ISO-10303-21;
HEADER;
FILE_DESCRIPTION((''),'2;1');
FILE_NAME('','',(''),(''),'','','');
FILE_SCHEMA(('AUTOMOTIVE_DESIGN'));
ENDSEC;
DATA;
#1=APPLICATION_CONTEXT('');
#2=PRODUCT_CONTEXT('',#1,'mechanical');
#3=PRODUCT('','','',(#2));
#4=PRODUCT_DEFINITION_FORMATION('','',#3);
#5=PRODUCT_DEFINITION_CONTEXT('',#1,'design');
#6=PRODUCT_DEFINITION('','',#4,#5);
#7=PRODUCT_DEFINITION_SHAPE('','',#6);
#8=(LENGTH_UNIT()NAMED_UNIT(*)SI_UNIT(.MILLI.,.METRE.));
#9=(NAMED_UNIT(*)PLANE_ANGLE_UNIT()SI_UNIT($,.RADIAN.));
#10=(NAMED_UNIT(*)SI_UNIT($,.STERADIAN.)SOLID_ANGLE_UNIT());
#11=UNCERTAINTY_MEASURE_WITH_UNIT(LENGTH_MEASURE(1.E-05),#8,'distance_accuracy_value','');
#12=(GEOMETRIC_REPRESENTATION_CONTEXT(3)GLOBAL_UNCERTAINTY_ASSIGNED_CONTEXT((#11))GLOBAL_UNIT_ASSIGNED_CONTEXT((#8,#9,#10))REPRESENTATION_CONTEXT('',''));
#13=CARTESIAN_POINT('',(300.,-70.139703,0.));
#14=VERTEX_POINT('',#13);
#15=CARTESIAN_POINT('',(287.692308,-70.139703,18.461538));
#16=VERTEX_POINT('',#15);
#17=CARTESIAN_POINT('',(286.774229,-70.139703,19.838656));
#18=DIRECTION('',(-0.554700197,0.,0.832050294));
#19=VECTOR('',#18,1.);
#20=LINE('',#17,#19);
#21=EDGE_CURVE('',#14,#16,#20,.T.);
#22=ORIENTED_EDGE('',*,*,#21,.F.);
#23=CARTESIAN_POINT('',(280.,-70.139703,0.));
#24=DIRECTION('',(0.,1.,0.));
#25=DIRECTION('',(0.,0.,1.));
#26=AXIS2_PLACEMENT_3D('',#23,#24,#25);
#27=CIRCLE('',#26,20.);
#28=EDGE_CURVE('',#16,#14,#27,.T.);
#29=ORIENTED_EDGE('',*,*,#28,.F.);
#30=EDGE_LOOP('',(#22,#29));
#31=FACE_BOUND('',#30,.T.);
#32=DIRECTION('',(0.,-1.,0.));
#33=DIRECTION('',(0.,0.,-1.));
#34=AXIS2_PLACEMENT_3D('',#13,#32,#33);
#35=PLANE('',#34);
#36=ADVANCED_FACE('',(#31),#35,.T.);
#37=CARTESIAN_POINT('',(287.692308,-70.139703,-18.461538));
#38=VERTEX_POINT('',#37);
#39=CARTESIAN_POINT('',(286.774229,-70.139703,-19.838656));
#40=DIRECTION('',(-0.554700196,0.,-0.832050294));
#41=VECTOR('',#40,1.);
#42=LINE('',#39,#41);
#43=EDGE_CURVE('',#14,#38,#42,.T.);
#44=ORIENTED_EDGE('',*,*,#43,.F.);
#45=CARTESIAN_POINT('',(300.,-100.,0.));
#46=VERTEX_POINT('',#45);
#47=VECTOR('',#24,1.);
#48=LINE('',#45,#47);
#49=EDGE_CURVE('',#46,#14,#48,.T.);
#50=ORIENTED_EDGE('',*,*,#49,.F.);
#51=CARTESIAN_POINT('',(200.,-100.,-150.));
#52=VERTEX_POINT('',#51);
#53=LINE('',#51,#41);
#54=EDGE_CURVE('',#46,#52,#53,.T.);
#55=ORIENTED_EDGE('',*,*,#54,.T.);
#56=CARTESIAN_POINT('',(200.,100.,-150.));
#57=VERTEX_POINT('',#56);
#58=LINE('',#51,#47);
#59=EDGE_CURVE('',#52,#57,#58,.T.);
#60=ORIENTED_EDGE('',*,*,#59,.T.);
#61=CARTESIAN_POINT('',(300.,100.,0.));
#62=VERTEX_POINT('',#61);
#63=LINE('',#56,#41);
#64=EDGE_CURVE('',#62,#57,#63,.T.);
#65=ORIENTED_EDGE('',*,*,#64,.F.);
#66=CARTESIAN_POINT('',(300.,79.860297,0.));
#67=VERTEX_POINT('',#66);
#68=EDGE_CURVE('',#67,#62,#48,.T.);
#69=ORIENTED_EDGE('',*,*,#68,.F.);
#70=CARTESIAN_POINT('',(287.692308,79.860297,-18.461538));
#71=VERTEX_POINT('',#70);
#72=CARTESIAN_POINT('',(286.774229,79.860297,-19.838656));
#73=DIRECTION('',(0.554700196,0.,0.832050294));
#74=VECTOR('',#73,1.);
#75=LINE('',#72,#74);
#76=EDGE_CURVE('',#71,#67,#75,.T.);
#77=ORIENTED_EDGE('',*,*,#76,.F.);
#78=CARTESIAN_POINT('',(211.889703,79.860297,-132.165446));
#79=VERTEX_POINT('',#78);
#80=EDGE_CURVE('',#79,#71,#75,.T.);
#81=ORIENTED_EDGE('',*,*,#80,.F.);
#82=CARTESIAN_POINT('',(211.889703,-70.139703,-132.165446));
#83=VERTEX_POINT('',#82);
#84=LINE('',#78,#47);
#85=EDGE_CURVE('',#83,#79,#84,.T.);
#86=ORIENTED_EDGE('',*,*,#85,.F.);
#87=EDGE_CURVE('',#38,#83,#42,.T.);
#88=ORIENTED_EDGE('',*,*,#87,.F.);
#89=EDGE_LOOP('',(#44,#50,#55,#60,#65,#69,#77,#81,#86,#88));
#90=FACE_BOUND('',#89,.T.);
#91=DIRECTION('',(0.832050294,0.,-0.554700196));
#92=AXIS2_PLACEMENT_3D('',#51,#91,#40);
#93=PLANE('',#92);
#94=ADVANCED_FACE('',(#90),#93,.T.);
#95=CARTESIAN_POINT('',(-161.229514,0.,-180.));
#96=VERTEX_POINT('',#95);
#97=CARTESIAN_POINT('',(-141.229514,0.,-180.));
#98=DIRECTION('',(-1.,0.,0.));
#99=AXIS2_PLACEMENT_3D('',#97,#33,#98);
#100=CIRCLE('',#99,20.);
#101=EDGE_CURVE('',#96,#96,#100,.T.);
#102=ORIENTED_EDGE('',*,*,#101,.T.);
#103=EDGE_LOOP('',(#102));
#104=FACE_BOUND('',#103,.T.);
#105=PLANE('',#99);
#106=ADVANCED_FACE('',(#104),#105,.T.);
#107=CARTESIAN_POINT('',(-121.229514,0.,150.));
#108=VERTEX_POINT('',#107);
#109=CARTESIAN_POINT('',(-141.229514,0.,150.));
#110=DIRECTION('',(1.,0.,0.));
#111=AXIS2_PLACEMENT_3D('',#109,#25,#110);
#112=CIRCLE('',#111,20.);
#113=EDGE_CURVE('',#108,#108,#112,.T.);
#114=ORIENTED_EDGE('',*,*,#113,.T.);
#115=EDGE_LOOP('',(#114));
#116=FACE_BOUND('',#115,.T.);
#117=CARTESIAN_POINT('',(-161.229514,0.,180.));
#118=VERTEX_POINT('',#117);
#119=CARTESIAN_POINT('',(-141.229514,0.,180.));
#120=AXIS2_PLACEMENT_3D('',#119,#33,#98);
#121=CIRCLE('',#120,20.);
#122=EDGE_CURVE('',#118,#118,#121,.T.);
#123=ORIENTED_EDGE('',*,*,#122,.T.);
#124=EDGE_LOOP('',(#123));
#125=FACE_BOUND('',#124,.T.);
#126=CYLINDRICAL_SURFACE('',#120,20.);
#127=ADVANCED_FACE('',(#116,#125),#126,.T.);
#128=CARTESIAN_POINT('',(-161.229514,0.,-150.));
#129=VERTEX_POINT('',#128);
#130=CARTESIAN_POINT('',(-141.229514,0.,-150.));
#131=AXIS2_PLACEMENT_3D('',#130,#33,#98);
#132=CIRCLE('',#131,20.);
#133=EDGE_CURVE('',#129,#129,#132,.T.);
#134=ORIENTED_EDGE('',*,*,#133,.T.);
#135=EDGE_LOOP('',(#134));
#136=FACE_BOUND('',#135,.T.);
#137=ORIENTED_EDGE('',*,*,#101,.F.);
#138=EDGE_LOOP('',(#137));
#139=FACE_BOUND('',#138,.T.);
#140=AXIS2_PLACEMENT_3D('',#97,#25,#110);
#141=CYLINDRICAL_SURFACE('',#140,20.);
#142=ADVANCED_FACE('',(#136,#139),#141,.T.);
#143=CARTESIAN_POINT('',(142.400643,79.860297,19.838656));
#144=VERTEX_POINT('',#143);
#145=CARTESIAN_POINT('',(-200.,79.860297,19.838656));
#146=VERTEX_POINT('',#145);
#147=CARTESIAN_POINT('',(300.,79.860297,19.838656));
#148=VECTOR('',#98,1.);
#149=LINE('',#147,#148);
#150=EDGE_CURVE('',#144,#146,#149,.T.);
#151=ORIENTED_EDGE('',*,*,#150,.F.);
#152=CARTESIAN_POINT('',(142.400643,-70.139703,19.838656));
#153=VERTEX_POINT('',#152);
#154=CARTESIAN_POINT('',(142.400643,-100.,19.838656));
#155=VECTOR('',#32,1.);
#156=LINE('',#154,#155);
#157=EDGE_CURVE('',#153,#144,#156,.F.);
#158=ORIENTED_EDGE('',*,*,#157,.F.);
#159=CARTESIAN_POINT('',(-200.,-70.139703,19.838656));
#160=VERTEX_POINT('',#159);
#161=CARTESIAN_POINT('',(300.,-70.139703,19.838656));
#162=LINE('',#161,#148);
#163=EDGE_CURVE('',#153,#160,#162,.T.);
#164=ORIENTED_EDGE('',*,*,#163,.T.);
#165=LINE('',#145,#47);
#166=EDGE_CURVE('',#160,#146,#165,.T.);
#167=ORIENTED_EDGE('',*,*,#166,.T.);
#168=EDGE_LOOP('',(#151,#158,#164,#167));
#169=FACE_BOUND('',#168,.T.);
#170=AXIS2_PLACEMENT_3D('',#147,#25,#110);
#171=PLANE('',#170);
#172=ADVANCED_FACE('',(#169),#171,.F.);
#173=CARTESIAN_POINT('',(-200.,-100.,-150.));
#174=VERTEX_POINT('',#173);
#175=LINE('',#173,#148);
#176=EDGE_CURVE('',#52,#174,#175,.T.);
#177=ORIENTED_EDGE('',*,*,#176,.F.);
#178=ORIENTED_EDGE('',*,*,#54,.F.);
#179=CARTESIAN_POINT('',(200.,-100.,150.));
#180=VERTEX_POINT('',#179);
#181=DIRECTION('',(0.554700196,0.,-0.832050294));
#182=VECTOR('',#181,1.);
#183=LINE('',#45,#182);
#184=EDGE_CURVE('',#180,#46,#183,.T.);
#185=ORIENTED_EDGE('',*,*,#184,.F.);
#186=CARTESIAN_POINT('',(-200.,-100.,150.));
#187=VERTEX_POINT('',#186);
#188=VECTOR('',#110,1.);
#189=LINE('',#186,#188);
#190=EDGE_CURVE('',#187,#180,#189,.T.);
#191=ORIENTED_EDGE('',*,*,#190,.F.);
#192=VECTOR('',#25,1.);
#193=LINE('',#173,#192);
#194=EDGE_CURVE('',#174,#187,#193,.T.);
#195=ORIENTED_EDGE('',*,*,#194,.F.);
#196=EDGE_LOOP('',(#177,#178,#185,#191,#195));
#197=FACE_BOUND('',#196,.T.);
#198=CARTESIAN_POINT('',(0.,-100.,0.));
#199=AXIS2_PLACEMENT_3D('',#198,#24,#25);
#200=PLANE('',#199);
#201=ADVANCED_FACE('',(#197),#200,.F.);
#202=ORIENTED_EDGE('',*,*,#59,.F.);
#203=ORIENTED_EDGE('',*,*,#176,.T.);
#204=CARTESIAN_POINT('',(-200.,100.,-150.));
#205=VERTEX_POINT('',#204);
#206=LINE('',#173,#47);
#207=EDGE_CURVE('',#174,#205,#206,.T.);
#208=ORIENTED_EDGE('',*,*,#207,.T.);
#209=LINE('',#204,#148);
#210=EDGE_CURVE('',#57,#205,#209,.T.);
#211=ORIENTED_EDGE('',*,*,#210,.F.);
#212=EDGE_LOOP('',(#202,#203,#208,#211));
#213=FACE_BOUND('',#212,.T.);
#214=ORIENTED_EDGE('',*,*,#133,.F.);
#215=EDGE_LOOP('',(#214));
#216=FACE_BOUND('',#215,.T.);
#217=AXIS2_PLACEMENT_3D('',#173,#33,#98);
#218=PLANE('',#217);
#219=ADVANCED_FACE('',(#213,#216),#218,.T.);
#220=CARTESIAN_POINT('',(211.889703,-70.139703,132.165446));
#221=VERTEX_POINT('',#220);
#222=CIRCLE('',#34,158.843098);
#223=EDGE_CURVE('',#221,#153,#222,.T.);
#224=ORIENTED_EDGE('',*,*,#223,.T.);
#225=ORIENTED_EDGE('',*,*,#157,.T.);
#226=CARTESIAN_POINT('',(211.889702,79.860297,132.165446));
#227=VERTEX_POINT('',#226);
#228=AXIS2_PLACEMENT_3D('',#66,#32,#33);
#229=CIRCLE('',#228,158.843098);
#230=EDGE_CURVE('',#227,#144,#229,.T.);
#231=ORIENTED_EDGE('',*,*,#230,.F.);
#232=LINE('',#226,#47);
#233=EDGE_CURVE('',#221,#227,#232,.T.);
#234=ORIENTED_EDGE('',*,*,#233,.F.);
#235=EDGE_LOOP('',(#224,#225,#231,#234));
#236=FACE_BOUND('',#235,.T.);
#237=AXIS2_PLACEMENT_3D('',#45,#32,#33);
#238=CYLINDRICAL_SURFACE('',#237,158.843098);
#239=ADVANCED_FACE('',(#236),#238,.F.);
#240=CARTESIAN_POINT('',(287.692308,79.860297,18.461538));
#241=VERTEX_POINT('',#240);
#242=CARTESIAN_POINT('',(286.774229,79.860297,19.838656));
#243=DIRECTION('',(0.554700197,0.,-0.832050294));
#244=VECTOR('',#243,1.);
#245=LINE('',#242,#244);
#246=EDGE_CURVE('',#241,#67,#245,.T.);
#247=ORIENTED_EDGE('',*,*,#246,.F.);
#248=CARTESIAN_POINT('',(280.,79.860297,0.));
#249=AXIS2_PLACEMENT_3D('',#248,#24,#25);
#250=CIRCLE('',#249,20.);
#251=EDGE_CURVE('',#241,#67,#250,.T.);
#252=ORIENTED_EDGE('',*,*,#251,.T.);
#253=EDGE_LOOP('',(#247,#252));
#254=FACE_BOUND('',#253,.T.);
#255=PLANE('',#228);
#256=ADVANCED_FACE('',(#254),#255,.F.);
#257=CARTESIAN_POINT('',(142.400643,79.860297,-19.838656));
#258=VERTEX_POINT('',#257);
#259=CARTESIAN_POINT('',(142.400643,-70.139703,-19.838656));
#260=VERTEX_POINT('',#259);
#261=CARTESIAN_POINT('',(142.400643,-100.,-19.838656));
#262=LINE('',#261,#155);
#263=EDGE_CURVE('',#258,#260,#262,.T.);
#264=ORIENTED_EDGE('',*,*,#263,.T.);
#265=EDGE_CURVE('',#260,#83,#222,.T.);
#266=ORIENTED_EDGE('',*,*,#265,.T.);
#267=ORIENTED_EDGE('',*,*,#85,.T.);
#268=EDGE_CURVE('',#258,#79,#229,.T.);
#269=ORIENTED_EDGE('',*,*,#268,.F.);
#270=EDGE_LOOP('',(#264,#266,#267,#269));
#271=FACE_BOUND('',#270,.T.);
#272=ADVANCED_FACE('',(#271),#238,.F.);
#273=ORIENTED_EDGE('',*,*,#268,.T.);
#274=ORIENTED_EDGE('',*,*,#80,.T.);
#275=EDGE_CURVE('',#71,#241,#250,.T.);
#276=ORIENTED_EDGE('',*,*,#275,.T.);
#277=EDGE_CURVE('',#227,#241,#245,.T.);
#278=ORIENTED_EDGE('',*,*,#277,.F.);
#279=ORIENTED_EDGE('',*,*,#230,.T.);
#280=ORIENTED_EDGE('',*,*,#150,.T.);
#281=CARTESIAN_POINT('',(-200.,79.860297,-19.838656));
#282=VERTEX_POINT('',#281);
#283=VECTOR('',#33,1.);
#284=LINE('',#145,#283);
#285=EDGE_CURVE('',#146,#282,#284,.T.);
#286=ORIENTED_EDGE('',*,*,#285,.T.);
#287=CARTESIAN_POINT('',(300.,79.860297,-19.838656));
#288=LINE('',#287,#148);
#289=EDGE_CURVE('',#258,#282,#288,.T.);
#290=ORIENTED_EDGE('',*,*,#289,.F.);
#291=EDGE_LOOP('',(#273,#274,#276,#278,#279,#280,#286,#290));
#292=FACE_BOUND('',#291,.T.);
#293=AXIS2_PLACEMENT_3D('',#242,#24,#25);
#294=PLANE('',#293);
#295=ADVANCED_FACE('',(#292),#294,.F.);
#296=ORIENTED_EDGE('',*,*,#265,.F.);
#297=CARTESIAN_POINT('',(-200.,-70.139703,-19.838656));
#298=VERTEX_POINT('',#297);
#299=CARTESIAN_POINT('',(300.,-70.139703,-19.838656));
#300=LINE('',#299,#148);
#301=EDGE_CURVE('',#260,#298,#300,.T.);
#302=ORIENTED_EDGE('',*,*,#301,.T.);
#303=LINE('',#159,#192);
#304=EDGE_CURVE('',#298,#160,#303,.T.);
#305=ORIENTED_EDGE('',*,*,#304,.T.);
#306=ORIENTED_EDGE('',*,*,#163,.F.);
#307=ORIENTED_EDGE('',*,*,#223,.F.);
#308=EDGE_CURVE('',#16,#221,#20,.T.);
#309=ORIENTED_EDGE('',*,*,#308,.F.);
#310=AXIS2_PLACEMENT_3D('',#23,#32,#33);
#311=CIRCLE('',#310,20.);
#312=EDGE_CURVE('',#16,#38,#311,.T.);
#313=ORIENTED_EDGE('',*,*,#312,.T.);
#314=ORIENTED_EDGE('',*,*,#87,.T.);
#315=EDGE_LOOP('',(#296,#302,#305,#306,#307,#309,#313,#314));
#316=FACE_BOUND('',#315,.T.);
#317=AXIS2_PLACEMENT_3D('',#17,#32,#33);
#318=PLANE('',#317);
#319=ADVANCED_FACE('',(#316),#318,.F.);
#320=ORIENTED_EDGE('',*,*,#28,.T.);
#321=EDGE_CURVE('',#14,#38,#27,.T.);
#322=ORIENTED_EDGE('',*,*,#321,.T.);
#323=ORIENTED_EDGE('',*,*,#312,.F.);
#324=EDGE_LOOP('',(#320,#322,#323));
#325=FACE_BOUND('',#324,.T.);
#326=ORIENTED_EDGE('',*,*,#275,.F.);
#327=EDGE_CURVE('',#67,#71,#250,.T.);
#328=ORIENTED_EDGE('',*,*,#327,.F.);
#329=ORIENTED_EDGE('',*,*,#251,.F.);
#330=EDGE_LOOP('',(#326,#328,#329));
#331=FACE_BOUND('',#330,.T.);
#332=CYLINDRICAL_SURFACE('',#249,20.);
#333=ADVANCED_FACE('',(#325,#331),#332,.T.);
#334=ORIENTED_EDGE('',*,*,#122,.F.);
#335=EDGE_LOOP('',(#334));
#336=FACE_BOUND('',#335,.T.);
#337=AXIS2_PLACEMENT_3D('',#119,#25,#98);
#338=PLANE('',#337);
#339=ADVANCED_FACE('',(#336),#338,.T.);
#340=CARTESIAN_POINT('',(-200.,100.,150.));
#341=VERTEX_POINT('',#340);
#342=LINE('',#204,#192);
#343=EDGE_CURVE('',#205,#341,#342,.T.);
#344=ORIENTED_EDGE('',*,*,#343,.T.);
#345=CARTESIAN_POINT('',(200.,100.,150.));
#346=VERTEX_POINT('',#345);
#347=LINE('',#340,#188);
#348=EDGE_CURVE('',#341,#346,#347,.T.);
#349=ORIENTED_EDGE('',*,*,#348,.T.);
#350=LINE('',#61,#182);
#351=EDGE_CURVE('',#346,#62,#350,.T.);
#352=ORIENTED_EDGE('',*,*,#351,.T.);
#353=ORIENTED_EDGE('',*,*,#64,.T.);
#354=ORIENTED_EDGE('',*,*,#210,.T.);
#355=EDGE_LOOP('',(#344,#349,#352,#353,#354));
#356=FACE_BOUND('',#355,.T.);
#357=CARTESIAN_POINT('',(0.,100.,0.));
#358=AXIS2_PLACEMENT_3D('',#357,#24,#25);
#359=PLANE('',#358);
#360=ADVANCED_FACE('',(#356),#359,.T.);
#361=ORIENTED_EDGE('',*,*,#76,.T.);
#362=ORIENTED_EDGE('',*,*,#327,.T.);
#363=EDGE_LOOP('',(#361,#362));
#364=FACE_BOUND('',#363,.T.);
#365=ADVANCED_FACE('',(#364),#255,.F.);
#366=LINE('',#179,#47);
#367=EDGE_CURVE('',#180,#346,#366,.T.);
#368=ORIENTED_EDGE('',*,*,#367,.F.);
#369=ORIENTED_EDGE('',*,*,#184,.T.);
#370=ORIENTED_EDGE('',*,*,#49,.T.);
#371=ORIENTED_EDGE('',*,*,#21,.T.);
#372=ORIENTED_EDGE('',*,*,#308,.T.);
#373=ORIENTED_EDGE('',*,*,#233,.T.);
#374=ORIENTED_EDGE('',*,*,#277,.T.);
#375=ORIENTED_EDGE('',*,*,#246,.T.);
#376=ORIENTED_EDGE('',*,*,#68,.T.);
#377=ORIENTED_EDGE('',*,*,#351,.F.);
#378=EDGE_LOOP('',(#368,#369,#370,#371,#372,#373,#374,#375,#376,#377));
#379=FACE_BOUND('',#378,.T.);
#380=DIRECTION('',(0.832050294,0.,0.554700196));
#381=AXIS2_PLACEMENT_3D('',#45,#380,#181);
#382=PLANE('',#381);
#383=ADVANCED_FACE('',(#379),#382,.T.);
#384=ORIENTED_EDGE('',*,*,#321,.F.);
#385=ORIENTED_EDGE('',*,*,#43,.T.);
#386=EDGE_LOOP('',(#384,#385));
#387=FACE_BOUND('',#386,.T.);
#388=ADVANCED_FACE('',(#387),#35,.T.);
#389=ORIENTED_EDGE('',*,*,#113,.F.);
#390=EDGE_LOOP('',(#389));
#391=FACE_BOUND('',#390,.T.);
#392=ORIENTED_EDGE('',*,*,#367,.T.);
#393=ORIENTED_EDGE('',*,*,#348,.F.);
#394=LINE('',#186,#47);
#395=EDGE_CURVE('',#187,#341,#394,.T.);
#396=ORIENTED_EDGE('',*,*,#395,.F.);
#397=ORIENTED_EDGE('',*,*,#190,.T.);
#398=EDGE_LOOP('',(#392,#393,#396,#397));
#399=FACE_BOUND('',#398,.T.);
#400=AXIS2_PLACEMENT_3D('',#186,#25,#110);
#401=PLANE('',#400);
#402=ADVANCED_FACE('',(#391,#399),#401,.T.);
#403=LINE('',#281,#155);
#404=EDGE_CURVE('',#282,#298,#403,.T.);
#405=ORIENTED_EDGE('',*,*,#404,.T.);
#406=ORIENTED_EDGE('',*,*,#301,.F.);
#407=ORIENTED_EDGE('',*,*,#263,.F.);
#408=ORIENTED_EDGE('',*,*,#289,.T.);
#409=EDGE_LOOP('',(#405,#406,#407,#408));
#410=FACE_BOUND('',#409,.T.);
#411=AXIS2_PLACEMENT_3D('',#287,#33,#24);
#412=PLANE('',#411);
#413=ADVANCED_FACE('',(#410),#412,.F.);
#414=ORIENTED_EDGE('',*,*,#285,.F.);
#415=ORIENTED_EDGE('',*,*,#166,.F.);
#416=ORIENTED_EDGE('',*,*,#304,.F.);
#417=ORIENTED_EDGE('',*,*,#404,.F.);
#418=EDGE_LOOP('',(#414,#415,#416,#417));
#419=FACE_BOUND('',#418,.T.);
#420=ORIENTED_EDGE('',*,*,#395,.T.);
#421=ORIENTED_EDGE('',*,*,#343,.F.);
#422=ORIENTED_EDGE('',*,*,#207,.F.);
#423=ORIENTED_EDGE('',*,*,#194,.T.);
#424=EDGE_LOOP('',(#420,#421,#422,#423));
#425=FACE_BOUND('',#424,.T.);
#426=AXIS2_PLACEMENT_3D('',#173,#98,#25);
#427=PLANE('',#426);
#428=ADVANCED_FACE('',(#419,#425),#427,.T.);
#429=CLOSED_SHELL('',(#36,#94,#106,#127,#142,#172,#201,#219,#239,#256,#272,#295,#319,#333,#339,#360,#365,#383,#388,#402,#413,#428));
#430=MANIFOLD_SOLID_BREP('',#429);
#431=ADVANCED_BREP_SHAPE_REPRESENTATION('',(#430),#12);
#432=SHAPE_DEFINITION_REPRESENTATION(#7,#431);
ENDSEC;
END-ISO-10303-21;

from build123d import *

# Parameters (mm, degrees)
BOSS_EXTRUDE1_DEPTH      = 100
BOSS_EXTRUDE1_DEPTH_BACK = 100
SKETCH2_W                = 135
SKETCH2_H                = 150
CUT_REVOLVE1_ANGLE       = 112.6198649
SKETCH3_R                = 20
BOSS_EXTRUDE3_DEPTH      = 30
SKETCH4_W                = 39.677312781
SKETCH4_H                = 150
CUT_EXTRUDE2_DEPTH       = 500
SKETCH7_W                = 20
SKETCH7_H                = 150


with BuildPart() as part:
    # Sketch1 → Boss-Extrude1 (new, two sides: drawn at the far end of the back side and taken through both)
    with BuildSketch(Plane(origin=(0, 0, 0), x_dir=(1, 0, 0), z_dir=(0, 1, 0)).offset(-BOSS_EXTRUDE1_DEPTH_BACK)):
        Polygon((200, 150), (300, 0), (200, -150), (-200, -150), (-200, 150), align=None)
    extrude(amount=BOSS_EXTRUDE1_DEPTH + BOSS_EXTRUDE1_DEPTH_BACK)

    # Sketch2 → Cut-Revolve1 (revolve, cut)
    with BuildSketch(Plane(origin=(207.692307692, 0, -138.461538462), x_dir=(-0.5547001962252291, 0, -0.8320502943378437), z_dir=(0.8320502943378437, 0, -0.5547001962252291))):
        with Locations((-75.066961244, 4.860296888)):
            Rectangle(SKETCH2_W, SKETCH2_H)
    revolve(axis=Axis((300, -100, 0), (0, 1, 0)), revolution_arc=CUT_REVOLVE1_ANGLE, mode=Mode.SUBTRACT)

    # Sketch3 → Boss-Extrude3 (add)
    with BuildSketch(Plane(origin=(0, 0, -150), x_dir=(-1, 0, 0), z_dir=(0, 0, -1))):
        with Locations((141.22951379, 0)):
            Circle(SKETCH3_R)
    boss_extrude3 = extrude(amount=BOSS_EXTRUDE3_DEPTH)

    # Mirror1: Boss-Extrude3 across plane
    add(boss_extrude3.mirror(Plane(origin=(0, 0, 0), x_dir=(1, 0, 0), z_dir=(0, 0, -1))))

    # Sketch4 → Cut-Extrude2 (cut)
    with BuildSketch(Plane.ZY.offset(200)):
        with Locations((-6e-09, 4.860296888)):
            Rectangle(SKETCH4_W, SKETCH4_H)
    extrude(amount=-CUT_EXTRUDE2_DEPTH, mode=Mode.SUBTRACT)

    # Sketch7 → Revolve2 (revolve)
    with BuildSketch(Plane(origin=(0, 0, 0), x_dir=(-1, 0, 0), z_dir=(0, 0, -1))):
        with Locations((-290, 4.860296888)):
            Rectangle(SKETCH7_W, SKETCH7_H)
    revolve(axis=Axis((280, 79.860296888, 0), (0, -1, 0)))


solid = part.part
